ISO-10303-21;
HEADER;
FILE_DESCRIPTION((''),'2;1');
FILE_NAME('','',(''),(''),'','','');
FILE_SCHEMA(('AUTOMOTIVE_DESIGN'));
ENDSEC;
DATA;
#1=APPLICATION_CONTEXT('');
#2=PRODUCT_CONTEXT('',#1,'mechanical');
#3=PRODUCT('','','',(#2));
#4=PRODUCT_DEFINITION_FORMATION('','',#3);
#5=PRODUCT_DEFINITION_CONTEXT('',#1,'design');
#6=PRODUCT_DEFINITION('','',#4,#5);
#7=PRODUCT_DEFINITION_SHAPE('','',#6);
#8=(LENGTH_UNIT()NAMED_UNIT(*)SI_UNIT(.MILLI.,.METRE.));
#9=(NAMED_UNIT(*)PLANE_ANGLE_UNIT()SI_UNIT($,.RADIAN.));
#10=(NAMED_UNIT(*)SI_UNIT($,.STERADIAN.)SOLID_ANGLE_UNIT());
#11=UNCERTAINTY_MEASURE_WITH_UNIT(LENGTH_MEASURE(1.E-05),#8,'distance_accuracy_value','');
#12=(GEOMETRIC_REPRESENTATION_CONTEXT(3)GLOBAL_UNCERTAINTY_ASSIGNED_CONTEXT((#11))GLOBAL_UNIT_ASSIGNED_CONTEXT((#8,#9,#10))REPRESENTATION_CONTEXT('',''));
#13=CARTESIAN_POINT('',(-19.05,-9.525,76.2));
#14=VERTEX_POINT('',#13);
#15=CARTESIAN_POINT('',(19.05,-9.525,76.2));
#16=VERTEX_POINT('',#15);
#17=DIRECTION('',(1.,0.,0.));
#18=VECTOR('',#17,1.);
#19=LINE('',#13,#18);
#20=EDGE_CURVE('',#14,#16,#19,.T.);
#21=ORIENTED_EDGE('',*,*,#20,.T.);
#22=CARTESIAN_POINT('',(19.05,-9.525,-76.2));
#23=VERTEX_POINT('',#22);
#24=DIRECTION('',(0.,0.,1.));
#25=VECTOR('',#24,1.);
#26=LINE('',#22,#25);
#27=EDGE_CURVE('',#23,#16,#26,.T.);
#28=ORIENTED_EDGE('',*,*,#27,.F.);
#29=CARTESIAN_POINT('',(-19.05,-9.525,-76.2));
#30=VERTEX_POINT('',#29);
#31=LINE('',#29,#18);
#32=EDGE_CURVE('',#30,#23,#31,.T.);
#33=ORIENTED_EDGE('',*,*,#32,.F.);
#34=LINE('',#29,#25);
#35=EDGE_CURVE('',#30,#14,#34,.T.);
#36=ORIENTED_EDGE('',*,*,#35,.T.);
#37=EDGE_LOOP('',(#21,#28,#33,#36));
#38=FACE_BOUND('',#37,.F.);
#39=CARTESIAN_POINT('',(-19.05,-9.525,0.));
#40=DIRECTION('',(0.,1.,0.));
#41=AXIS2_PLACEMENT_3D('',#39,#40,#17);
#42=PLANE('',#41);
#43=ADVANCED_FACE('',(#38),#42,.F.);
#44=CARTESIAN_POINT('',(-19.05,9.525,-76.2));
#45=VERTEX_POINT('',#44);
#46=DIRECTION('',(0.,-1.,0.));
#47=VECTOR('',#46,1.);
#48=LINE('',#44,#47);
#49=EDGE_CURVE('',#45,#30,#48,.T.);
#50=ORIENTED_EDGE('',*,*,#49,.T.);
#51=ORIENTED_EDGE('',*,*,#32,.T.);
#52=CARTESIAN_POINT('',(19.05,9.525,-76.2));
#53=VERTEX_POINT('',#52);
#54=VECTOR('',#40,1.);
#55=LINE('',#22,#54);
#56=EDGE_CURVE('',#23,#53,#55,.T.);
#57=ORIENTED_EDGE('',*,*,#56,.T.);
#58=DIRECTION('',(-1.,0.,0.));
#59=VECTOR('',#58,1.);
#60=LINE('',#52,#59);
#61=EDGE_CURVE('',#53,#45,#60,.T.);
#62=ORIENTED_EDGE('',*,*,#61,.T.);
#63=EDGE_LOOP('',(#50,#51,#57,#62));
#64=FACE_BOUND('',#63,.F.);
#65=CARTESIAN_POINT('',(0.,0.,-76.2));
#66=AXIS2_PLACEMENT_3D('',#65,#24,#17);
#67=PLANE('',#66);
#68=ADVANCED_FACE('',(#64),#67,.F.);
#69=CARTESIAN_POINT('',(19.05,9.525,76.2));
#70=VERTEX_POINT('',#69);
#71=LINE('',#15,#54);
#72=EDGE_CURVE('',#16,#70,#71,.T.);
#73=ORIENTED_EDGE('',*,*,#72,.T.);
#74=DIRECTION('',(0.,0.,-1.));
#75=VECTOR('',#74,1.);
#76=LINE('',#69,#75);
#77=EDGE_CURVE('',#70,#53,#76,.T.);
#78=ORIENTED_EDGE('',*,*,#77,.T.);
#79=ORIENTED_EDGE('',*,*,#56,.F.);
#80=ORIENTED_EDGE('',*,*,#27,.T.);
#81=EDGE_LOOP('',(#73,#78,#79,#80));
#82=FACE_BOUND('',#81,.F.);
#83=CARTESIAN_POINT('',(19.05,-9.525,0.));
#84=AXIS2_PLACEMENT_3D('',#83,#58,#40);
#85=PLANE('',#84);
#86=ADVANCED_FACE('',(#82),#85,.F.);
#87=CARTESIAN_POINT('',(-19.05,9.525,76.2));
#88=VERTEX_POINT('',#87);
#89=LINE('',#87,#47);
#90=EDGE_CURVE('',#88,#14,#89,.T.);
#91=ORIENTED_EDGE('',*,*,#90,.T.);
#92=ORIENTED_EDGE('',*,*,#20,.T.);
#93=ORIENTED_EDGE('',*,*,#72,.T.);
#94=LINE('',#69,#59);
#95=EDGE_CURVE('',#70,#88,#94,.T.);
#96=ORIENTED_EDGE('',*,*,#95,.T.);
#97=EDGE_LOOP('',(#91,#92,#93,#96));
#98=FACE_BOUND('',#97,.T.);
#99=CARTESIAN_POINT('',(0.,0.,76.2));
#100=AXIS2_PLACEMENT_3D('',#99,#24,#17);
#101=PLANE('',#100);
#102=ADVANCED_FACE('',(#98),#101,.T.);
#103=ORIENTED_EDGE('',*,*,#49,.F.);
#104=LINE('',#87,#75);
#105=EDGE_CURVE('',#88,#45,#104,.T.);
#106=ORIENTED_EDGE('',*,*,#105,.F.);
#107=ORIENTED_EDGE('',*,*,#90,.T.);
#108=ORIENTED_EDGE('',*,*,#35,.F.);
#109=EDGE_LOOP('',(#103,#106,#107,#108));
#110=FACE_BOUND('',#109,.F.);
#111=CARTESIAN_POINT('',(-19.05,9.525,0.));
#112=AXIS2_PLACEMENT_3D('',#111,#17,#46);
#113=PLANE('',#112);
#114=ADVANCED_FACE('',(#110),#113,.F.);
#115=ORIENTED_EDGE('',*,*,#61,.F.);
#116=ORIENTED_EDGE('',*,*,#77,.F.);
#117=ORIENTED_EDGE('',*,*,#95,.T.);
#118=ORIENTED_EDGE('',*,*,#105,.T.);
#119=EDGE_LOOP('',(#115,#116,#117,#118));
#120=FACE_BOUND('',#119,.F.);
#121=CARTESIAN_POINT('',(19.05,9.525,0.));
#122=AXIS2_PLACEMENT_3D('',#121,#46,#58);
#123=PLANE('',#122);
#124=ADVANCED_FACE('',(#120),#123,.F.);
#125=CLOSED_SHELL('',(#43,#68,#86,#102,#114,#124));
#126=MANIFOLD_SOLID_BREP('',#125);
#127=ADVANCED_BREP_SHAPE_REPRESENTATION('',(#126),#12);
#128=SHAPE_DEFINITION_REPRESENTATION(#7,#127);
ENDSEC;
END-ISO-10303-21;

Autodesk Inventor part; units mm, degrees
ref_plane "YZ Plane" through (0, 0, 0) normal (1, 0, 0) x (0, 1, 0)
ref_plane "XZ Plane" through (0, 0, 0) normal (0, 1, 0) x (-1, 0, 0)
ref_plane "XY Plane" through (0, 0, 0) normal (0, 0, 1) x (1, 0, 0)
sketch "Sketch1" plane through (0, 0, 0) normal (0, 0, 1) x (1, 0, 0)
  line L0 (-19.05, -9.525) -> (19.05, -9.525)
  line L1 (19.05, -9.525) -> (19.05, 9.525)
  line L2 (19.05, 9.525) -> (-19.05, 9.525)
  line L3 (-19.05, 9.525) -> (-19.05, -9.525)
  line L4 (-19.05, -9.525) -> (19.05, 9.525) construction
  line L5 (19.05, -9.525) -> (-19.05, 9.525) construction
  point P0 (0, 0)
  dimension "d0" = 38.1
  dimension "d1" = 19.05
extrude "Extrusion1" add sketch "Sketch1" along normal mid plane 152.4
properties part number "1x2 Risers" material "Wood (Birch)"
